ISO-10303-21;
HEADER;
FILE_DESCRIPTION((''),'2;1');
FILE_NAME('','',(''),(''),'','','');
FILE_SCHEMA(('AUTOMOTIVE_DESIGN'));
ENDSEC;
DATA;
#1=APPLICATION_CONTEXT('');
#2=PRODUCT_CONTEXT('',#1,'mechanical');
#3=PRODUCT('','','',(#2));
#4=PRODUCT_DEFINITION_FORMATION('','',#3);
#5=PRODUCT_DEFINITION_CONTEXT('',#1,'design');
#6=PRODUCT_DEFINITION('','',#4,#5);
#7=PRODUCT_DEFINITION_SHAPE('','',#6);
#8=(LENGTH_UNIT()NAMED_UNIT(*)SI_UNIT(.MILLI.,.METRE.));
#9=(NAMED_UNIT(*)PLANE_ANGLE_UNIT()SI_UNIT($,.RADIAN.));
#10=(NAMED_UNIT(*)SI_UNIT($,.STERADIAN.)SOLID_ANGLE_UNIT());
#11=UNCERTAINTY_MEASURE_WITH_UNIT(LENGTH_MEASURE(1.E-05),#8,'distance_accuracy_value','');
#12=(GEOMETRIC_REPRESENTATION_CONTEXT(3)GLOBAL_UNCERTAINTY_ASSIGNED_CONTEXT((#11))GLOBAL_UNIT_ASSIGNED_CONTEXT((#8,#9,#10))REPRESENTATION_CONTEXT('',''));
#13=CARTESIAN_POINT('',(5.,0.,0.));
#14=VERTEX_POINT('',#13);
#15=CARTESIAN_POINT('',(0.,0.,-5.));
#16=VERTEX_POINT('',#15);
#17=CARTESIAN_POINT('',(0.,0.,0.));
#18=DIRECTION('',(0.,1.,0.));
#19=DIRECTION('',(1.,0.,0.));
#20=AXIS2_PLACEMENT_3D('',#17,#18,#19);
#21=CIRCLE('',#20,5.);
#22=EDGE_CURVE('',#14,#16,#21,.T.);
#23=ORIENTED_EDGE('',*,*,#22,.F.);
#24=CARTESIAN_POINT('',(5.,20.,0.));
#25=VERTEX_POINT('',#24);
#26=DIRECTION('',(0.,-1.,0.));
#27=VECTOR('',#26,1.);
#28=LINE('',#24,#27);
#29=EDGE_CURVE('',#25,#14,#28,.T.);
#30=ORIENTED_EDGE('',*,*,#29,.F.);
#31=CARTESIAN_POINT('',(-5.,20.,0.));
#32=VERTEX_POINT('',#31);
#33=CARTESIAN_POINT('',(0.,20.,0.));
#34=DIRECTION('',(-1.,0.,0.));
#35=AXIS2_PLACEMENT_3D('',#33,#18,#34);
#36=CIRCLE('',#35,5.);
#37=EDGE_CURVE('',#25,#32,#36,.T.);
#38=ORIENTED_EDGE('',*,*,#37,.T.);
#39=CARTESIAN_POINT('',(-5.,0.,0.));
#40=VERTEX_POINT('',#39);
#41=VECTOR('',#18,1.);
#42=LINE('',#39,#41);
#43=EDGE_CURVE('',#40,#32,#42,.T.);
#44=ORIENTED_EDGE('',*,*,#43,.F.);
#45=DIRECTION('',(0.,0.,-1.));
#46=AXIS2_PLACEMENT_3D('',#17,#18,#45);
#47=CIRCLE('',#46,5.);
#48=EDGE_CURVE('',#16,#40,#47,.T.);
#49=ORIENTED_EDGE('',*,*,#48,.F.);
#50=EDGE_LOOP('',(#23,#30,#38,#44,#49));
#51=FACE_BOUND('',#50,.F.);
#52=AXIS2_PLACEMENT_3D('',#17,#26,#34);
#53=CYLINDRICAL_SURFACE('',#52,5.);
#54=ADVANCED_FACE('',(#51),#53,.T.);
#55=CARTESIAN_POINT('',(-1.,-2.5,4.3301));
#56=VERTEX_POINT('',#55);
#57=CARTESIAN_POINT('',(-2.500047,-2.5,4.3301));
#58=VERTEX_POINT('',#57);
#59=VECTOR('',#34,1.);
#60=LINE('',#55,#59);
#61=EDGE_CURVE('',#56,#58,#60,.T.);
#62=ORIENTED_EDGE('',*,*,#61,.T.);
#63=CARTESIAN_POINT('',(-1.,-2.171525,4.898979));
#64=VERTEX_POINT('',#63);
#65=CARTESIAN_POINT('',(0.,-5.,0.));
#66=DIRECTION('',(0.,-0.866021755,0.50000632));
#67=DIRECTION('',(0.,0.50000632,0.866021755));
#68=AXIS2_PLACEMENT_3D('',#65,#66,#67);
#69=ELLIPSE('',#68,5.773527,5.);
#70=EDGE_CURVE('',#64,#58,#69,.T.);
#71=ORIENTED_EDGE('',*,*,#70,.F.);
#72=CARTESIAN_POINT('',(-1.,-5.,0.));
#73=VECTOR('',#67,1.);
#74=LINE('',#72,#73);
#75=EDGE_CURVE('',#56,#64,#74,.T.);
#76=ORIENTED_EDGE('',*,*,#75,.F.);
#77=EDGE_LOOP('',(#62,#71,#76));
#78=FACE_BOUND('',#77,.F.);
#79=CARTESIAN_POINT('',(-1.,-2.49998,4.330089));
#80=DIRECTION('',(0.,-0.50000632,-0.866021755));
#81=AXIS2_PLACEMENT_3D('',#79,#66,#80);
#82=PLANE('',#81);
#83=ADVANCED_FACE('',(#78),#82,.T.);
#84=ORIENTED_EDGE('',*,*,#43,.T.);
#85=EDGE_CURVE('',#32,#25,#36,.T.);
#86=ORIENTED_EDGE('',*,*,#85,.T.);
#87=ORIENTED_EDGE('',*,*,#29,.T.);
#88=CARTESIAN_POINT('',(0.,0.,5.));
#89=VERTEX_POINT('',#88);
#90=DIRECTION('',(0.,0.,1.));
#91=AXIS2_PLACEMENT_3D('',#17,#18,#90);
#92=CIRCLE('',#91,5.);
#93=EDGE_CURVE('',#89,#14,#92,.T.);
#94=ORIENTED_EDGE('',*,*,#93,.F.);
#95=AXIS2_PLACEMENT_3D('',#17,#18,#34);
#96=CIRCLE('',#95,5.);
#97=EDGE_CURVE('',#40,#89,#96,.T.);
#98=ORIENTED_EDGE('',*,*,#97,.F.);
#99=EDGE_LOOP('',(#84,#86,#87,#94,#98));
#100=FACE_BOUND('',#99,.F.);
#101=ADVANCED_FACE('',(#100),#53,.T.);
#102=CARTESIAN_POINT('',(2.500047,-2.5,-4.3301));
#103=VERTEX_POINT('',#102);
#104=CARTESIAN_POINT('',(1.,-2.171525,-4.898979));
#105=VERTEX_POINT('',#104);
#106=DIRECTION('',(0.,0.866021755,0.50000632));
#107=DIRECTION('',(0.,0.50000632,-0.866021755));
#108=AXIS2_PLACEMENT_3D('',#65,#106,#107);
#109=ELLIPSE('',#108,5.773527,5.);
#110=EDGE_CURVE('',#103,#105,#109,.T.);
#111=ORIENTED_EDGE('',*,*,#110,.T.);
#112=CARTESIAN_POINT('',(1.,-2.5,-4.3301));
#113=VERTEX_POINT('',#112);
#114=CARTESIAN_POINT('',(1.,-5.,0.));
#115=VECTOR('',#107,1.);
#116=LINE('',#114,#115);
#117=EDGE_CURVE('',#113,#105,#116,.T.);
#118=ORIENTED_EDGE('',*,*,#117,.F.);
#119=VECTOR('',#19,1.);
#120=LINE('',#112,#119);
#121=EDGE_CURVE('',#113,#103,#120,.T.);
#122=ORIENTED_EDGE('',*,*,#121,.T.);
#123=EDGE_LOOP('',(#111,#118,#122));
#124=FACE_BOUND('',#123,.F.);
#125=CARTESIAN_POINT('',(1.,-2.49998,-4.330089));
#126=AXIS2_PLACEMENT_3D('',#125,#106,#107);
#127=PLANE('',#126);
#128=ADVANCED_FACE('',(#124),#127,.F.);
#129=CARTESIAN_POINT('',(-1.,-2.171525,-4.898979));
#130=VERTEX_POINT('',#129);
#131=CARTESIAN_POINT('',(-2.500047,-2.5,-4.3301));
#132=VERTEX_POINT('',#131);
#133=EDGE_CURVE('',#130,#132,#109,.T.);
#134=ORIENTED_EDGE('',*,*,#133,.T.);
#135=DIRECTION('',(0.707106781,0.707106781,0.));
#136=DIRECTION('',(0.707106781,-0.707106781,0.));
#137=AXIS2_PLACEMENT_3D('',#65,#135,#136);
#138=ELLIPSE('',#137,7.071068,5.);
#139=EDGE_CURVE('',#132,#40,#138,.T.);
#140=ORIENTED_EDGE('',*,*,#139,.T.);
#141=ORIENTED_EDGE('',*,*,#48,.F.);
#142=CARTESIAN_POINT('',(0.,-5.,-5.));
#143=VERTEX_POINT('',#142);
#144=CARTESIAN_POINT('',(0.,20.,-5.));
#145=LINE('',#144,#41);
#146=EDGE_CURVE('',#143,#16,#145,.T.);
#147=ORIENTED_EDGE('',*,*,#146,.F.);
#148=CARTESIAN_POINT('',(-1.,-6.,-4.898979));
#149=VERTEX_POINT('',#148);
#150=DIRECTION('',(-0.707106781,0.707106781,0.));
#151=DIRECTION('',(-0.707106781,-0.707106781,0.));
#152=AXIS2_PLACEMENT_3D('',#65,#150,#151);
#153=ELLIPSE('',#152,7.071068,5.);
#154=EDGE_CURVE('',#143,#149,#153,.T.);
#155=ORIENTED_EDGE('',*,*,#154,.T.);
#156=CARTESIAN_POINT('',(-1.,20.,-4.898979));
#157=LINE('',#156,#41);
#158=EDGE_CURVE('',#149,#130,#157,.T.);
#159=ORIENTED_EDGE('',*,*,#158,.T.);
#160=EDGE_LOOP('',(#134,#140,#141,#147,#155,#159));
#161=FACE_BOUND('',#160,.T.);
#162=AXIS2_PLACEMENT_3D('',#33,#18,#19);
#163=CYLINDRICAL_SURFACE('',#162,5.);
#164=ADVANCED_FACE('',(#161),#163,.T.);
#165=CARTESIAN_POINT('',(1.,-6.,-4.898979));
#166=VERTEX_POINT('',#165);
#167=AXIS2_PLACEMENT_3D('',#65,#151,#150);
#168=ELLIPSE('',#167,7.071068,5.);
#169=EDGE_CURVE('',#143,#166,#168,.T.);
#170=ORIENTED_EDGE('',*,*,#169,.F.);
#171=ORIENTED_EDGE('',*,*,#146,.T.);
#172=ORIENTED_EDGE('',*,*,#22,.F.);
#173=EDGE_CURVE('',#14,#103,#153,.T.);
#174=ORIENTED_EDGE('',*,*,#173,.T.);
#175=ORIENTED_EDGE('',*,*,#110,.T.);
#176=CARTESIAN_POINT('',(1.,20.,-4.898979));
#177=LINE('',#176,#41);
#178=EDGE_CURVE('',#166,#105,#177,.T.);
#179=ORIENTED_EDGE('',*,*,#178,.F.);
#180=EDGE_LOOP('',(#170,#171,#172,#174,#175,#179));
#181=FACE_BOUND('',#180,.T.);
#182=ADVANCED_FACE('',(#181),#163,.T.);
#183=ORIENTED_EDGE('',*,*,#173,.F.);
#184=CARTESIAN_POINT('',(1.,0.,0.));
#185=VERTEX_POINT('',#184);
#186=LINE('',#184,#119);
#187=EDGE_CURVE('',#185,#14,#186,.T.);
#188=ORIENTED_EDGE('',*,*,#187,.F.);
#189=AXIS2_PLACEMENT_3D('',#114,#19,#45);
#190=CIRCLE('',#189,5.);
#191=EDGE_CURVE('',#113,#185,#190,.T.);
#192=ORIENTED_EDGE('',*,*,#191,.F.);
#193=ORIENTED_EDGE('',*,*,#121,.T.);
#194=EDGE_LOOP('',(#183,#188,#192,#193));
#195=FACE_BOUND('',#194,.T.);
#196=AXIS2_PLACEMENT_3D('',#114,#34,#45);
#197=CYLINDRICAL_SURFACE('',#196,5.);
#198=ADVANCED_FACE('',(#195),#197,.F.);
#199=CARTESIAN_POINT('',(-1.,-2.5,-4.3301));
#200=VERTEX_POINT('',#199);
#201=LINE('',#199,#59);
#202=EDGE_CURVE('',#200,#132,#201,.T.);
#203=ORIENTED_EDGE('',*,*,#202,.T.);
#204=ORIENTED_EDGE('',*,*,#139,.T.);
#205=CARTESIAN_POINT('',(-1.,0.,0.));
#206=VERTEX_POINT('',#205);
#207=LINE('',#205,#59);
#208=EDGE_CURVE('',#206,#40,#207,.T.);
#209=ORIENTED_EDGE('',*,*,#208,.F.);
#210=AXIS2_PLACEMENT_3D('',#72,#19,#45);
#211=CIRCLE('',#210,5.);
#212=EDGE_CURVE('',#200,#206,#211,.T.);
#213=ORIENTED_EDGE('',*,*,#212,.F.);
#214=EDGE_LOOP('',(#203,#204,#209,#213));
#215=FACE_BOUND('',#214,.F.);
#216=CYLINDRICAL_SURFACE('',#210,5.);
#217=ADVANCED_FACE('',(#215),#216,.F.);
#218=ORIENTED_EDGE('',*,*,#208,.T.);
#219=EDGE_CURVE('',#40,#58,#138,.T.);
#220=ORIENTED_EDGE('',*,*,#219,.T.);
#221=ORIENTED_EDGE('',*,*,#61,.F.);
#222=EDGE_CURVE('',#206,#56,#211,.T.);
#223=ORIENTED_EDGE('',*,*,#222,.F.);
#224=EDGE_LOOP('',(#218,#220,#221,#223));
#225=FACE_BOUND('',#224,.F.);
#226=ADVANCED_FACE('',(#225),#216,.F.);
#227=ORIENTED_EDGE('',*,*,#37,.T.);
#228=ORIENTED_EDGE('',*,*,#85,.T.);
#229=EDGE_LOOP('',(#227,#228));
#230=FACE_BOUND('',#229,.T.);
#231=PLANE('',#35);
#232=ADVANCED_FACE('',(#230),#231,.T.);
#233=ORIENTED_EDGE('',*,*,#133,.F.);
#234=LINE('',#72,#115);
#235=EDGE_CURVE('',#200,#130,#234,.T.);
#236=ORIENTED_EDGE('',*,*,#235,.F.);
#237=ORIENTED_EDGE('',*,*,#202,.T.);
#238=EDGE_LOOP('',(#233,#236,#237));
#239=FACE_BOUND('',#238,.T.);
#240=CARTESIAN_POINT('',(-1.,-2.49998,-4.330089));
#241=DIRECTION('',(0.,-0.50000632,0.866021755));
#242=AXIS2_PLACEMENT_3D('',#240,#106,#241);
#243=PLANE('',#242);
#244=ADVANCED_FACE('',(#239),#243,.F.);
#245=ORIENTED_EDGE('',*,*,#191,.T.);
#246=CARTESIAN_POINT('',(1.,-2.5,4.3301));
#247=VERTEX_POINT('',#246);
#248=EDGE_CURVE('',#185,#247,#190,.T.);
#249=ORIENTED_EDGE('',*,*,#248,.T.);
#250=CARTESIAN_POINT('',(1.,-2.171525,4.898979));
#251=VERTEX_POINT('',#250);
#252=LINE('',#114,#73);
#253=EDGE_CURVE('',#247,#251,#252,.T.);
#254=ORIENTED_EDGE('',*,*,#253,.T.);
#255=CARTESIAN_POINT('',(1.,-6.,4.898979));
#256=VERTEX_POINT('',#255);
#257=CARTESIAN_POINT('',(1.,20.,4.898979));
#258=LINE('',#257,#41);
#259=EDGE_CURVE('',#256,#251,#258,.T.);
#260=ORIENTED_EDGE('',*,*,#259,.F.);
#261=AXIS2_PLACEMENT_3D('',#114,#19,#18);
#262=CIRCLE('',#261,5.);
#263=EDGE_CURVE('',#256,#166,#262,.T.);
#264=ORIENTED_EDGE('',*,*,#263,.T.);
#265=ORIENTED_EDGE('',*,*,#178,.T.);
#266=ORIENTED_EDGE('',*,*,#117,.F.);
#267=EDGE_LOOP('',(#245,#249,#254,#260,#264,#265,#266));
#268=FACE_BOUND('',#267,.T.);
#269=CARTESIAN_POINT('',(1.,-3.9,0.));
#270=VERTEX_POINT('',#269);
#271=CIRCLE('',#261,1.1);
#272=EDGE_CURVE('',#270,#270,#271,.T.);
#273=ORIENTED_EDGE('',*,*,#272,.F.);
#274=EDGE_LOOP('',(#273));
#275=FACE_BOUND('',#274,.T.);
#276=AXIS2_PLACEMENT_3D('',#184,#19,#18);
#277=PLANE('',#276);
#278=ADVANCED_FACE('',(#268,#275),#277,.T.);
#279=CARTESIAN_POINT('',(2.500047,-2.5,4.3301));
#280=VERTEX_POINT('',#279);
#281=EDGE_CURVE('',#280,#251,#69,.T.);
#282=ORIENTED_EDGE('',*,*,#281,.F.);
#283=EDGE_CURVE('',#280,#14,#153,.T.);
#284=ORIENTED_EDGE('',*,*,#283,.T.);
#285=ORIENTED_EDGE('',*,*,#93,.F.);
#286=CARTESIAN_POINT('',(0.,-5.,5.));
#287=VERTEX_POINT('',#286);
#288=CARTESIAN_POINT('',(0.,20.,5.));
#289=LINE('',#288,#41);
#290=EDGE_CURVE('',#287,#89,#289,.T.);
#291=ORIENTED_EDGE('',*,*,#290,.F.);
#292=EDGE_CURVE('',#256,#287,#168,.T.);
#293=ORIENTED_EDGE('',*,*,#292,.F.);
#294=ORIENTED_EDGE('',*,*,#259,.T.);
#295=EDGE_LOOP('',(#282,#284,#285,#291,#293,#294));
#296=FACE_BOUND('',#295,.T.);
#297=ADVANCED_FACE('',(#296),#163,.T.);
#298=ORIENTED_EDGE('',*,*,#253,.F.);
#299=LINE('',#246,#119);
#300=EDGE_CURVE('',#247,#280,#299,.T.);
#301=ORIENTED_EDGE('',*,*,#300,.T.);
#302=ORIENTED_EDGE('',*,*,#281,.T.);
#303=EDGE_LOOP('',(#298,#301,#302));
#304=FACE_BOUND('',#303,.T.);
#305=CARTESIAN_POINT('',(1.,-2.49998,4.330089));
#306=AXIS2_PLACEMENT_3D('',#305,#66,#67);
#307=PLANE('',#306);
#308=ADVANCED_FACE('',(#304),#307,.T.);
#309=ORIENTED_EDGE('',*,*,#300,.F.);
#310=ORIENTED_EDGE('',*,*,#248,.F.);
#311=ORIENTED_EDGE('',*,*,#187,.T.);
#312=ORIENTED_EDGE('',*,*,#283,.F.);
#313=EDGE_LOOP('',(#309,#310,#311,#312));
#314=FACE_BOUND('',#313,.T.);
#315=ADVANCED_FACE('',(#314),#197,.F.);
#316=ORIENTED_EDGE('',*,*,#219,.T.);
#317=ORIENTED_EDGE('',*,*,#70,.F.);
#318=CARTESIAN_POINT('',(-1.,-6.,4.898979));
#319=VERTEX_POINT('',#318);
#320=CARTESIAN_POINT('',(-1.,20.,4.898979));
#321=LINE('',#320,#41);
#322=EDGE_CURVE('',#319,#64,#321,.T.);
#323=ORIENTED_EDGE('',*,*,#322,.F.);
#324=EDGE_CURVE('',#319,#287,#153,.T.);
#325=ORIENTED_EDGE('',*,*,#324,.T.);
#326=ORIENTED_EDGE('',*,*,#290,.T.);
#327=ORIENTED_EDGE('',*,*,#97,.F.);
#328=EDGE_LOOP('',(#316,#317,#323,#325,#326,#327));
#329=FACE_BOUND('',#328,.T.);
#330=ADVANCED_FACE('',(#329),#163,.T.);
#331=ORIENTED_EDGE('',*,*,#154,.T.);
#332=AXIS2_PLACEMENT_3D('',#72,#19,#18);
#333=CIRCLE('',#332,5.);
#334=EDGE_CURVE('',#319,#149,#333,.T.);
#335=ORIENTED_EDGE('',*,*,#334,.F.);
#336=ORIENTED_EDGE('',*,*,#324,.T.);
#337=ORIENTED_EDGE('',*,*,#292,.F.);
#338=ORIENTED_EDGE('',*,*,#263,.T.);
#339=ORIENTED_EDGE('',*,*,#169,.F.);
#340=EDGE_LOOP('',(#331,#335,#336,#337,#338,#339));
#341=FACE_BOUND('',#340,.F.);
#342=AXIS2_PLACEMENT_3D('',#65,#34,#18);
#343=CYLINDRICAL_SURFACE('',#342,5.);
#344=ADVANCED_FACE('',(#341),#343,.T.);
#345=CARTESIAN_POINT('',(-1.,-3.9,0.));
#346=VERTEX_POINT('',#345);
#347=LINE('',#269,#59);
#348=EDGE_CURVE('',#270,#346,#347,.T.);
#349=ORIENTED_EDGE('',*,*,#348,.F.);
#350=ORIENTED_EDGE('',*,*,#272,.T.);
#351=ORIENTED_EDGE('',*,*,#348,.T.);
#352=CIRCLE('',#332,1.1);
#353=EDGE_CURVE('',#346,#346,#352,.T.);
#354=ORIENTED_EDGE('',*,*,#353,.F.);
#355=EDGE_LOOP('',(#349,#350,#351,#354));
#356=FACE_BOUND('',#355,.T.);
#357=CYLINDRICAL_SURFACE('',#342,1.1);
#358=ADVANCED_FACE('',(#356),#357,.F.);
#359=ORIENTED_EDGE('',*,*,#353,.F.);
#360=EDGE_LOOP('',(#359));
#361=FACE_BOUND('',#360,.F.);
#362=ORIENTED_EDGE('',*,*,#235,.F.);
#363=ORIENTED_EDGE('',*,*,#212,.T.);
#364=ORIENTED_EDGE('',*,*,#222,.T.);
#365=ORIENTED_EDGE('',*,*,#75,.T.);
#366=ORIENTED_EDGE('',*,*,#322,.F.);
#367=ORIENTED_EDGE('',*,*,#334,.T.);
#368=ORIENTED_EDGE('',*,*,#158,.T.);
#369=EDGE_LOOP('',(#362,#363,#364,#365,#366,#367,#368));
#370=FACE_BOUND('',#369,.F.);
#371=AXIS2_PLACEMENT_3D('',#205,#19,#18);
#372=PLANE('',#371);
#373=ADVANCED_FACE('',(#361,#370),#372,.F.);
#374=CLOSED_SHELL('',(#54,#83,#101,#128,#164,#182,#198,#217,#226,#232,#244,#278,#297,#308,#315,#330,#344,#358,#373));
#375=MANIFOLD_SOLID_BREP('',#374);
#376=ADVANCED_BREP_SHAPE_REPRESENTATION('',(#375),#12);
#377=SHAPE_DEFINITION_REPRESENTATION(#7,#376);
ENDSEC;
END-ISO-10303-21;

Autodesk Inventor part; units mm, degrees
ref_plane "YZ Plane" through (0, 0, 0) normal (1, 0, 0) x (0, 1, 0)
ref_plane "XZ Plane" through (0, 0, 0) normal (0, 1, 0) x (-1, 0, 0)
ref_plane "XY Plane" through (0, 0, 0) normal (0, 0, 1) x (1, 0, 0)
sketch "Sketch1" plane through (0, 0, 0) normal (0, 1, 0) x (-1, 0, 0)
  circle A0 centre (0, 0) radius 5
  dimension "d0" = 10
extrude "Extrusion1" add sketch "Sketch1" along normal blind 20
sketch "Sketch2" plane through (0, 0, 0) normal (1, 0, 0) x (0, 1, 0)
  circle A0 centre (-5, 0) radius 1.1
  line L0 (0, -5) -> (0, 5) projected
  circle A1 centre (-5, 0) radius 5
  line L1 (0, 5) -> (-5, 5)
  line L2 (-5, -5) -> (0, -5)
  line L3 (0, -5) -> (0, 5)
  point P0 (0, 0)
  dimension "d3" = 2.2
  dimension "d4" = 5
  dimension "d5" = 5
  dimension "d6" = 10
extrude "Extrusion2" add sketch "Sketch2" along normal mid plane 2
sketch "Sketch3" plane through (1, 0, 0) normal (1, 0, 0) x (0, 0, -1)
  circle A0 centre (0, -5) radius 1.1 projected
  line L0 (0, -5) -> (4.3301, -2.5)
  line L1 (0, -5) -> (5, -5) construction
  line L2 (0, -5) -> (-4.3301, -2.5)
  line L3 (0, -5) -> (5, -5) construction
  circle A1 centre (0, -5) radius 1.1
  circle A2 centre (0, -5) radius 5
  line L4 (0, -5) -> (5, -2.1132)
  line L5 (0, -5) -> (-5, -2.1132)
  line L6 (-5, 0) -> (-5, -5) projected
  line L7 (-5, 0) -> (-5, -2.1132)
  line L8 (5, -2.1132) -> (5, 0)
  line L9 (5, 0) -> (-5, 0)
  line L10 (4.899, 0) -> (-4.899, 0) projected
  point P0 (0, 0)
  point P1 (0, 0)
  dimension "d9" = 5
  dimension "d10" = 30
  dimension "d11" = 5
  dimension "d12" = 150
  dimension "d13" = 2.1132
extrude "Extrusion3" add sketch "Sketch3" along normal blind 5 contours A2 L9 L8 L4 | L5 L6 L9 A2
mirror "Mirror1" about plane through (0, 0, 0) normal (1, 0, 0) of "Extrusion3"
sketch "Sketch4" plane through (0, 20, 0) normal (0, 1, 0) x (1, 0, 0)
  circle A0 centre (0, 0) radius 5
  circle A1 centre (0, 0) radius 10
  dimension "d16" = 10
  dimension "d17" = 20
extrude "Extrusion4" cut sketch "Sketch4" against normal through all
properties part number "Camera encase" material "Rubber"
